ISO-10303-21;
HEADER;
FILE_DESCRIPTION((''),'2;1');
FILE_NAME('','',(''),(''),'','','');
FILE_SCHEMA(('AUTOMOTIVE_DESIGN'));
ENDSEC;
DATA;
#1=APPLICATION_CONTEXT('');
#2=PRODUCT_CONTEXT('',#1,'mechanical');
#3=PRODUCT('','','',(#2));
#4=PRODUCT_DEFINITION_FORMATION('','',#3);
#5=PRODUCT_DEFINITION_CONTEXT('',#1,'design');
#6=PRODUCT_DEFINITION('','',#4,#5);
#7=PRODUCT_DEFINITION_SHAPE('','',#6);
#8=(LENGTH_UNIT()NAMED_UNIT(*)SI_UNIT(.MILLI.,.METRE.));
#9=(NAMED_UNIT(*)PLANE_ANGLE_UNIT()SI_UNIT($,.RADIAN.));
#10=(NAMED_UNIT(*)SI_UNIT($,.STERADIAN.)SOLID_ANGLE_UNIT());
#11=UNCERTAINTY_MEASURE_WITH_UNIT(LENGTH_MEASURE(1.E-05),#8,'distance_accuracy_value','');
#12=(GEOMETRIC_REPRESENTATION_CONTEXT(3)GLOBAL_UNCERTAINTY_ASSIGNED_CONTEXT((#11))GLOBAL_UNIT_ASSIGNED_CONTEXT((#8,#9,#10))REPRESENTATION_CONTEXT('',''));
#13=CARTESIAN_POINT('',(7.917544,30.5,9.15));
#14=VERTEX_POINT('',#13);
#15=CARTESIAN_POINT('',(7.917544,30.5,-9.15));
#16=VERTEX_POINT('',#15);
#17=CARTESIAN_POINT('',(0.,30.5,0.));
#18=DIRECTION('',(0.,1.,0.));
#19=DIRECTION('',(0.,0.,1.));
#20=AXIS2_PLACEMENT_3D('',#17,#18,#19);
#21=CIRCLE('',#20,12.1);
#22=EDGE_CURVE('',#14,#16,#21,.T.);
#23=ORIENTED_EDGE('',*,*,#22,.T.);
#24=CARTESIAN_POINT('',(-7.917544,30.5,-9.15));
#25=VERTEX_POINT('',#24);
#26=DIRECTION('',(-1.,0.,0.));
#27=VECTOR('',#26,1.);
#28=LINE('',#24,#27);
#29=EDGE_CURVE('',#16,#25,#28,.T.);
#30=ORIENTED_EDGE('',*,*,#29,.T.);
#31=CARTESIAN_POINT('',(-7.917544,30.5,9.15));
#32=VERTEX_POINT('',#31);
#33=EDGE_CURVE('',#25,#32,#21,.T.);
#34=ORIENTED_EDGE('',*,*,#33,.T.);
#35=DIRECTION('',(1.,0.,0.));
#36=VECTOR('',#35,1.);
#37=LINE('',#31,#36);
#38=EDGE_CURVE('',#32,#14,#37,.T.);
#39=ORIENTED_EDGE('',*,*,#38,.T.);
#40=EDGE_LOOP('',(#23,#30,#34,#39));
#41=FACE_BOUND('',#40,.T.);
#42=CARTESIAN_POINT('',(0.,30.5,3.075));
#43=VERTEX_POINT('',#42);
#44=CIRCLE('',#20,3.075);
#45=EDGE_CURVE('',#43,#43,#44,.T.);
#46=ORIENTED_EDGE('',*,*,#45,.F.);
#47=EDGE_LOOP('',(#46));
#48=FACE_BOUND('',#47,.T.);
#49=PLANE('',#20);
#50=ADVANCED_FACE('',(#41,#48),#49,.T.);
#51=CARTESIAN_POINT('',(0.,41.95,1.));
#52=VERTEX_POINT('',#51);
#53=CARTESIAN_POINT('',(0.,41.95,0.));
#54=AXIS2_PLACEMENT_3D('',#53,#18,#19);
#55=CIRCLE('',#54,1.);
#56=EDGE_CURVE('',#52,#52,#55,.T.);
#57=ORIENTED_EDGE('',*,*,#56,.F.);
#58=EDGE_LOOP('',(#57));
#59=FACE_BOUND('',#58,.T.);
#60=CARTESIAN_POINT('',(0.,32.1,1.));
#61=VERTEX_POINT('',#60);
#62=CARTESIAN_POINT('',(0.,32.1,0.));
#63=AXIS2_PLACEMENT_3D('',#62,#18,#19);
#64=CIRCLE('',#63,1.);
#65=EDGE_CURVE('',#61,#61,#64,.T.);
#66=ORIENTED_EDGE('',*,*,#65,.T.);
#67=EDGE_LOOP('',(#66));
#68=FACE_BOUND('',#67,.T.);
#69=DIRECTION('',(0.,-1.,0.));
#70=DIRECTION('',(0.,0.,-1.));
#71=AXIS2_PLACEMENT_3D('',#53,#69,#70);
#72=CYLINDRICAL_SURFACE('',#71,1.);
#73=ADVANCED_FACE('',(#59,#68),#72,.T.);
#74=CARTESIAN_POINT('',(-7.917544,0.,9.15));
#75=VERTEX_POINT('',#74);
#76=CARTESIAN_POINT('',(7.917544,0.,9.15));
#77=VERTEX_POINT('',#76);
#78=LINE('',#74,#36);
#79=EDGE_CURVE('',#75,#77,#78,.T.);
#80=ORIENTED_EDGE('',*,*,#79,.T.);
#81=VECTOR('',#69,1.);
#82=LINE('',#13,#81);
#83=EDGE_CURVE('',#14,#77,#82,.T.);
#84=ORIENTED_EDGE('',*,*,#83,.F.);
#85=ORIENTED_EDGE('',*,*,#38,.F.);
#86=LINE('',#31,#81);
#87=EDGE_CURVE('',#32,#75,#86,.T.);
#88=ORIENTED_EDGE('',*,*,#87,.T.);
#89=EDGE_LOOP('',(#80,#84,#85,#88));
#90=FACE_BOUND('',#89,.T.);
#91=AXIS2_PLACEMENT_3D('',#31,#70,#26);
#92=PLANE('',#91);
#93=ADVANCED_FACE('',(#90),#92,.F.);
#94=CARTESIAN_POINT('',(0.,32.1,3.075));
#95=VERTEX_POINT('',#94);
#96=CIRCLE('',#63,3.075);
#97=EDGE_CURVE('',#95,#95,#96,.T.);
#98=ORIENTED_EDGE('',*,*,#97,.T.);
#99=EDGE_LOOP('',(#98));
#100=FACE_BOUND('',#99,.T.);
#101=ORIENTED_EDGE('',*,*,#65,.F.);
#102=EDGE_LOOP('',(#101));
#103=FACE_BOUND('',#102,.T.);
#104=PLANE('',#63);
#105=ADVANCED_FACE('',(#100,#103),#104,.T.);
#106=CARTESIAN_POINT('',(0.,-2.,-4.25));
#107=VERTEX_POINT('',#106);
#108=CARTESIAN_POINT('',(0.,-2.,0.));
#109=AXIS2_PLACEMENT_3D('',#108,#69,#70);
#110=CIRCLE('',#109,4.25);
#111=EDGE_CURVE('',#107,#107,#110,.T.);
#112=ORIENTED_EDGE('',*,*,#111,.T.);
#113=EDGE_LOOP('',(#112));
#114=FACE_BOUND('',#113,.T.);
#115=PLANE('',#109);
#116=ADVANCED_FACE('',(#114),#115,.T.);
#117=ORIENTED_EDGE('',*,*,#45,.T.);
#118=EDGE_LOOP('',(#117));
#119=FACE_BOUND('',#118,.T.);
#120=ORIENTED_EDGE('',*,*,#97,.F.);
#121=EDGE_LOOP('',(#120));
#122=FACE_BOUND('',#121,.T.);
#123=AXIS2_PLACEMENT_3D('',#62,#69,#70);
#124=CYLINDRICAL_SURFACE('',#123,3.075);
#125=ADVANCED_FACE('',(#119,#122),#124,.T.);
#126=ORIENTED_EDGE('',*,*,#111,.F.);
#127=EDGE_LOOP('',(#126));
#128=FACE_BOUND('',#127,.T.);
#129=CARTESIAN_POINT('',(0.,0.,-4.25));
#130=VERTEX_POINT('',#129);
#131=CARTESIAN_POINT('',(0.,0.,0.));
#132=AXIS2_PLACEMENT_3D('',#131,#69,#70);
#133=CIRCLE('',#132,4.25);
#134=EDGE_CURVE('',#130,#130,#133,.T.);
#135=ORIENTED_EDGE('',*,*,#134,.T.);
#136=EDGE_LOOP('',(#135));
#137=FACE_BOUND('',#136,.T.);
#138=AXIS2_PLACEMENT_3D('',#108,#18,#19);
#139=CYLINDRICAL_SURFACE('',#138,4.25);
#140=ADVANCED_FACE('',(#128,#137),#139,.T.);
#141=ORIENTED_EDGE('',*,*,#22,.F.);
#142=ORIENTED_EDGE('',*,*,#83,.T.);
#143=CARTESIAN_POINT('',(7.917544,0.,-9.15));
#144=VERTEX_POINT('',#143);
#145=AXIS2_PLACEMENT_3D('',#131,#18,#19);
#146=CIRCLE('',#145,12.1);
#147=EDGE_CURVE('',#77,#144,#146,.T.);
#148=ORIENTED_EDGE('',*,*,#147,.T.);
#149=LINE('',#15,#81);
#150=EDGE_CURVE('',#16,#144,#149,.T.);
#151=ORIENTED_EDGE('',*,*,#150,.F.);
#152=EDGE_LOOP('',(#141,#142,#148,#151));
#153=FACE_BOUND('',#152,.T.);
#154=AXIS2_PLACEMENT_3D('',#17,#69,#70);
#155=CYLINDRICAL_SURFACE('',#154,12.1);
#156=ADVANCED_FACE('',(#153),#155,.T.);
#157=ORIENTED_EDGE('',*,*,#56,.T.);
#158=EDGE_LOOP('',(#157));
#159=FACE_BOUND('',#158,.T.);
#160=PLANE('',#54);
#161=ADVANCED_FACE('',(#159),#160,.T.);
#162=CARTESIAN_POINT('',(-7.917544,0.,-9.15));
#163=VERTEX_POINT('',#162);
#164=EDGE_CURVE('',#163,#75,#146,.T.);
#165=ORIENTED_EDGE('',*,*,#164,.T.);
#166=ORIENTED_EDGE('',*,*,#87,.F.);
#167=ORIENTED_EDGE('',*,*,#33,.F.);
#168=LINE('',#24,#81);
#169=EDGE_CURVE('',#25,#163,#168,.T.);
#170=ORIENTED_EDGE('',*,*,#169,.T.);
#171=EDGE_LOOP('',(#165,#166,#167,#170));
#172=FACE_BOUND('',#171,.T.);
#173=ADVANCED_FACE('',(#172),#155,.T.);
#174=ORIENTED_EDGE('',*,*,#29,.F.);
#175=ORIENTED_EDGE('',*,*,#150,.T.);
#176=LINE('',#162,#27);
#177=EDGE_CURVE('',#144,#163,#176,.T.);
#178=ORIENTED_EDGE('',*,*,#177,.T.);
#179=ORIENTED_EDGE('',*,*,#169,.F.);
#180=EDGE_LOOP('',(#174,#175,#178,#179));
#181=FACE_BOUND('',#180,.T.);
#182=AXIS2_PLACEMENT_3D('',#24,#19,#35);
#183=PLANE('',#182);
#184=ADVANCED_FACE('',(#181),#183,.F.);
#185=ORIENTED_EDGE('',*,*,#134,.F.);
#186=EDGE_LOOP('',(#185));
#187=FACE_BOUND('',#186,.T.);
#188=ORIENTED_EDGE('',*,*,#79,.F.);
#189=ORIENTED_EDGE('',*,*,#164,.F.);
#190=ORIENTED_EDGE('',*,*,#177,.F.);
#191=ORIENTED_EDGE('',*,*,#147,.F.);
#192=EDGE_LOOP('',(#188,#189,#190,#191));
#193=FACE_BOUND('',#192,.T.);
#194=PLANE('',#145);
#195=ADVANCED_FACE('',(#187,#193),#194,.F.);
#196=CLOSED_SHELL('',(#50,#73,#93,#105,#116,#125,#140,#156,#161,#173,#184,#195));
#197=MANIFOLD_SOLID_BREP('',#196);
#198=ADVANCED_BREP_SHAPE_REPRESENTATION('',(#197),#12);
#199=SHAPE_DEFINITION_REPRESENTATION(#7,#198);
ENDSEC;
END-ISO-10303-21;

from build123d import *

# Parameters (mm, degrees)
BOSS_EXTRUDE1_DEPTH = 30.5
SKETCH3_R           = 3.075
BOSS_EXTRUDE2_DEPTH = 1.6
SKETCH4_R           = 1
BOSS_EXTRUDE3_DEPTH = 9.85
SKETCH5_R           = 4.25
BOSS_EXTRUDE4_DEPTH = 2


with BuildPart() as part:
    # Sketch2 → Boss-Extrude1 (new body)
    with BuildSketch(Plane(origin=(0, 0, 0), x_dir=(1, 0, 0), z_dir=(0, 1, 0))):
        with BuildLine():
            Line((-7.917543811, 9.15), (7.917543811, 9.15))
            ThreePointArc((7.917543811, 9.15), (12.1, 0), (7.917543811, -9.15))
            Line((7.917543811, -9.15), (-7.917543811, -9.15))
            ThreePointArc((-7.917543811, -9.15), (-12.1, 0), (-7.917543811, 9.15))
        make_face()
    extrude(amount=BOSS_EXTRUDE1_DEPTH)

    # Sketch3 → Boss-Extrude2 (add)
    with BuildSketch(Plane(origin=(0, 30.5, 0), x_dir=(1, 0, 0), z_dir=(0, 1, 0))):
        with Locations(Location((0, 0, 0), (0, 0, 270))):
            Circle(SKETCH3_R)
    extrude(amount=BOSS_EXTRUDE2_DEPTH)

    # Sketch4 → Boss-Extrude3 (add)
    with BuildSketch(Plane(origin=(0, 32.1, 0), x_dir=(1, 0, 0), z_dir=(0, 1, 0))):
        with Locations(Location((0, 0, 0), (0, 0, 270))):
            Circle(SKETCH4_R)
    extrude(amount=BOSS_EXTRUDE3_DEPTH)

    # Sketch5 → Boss-Extrude4 (add)
    with BuildSketch(Plane.XZ):
        with Locations(Location((0, 0, 0), (0, 0, 270))):
            Circle(SKETCH5_R)
    extrude(amount=BOSS_EXTRUDE4_DEPTH)


solid = part.part
